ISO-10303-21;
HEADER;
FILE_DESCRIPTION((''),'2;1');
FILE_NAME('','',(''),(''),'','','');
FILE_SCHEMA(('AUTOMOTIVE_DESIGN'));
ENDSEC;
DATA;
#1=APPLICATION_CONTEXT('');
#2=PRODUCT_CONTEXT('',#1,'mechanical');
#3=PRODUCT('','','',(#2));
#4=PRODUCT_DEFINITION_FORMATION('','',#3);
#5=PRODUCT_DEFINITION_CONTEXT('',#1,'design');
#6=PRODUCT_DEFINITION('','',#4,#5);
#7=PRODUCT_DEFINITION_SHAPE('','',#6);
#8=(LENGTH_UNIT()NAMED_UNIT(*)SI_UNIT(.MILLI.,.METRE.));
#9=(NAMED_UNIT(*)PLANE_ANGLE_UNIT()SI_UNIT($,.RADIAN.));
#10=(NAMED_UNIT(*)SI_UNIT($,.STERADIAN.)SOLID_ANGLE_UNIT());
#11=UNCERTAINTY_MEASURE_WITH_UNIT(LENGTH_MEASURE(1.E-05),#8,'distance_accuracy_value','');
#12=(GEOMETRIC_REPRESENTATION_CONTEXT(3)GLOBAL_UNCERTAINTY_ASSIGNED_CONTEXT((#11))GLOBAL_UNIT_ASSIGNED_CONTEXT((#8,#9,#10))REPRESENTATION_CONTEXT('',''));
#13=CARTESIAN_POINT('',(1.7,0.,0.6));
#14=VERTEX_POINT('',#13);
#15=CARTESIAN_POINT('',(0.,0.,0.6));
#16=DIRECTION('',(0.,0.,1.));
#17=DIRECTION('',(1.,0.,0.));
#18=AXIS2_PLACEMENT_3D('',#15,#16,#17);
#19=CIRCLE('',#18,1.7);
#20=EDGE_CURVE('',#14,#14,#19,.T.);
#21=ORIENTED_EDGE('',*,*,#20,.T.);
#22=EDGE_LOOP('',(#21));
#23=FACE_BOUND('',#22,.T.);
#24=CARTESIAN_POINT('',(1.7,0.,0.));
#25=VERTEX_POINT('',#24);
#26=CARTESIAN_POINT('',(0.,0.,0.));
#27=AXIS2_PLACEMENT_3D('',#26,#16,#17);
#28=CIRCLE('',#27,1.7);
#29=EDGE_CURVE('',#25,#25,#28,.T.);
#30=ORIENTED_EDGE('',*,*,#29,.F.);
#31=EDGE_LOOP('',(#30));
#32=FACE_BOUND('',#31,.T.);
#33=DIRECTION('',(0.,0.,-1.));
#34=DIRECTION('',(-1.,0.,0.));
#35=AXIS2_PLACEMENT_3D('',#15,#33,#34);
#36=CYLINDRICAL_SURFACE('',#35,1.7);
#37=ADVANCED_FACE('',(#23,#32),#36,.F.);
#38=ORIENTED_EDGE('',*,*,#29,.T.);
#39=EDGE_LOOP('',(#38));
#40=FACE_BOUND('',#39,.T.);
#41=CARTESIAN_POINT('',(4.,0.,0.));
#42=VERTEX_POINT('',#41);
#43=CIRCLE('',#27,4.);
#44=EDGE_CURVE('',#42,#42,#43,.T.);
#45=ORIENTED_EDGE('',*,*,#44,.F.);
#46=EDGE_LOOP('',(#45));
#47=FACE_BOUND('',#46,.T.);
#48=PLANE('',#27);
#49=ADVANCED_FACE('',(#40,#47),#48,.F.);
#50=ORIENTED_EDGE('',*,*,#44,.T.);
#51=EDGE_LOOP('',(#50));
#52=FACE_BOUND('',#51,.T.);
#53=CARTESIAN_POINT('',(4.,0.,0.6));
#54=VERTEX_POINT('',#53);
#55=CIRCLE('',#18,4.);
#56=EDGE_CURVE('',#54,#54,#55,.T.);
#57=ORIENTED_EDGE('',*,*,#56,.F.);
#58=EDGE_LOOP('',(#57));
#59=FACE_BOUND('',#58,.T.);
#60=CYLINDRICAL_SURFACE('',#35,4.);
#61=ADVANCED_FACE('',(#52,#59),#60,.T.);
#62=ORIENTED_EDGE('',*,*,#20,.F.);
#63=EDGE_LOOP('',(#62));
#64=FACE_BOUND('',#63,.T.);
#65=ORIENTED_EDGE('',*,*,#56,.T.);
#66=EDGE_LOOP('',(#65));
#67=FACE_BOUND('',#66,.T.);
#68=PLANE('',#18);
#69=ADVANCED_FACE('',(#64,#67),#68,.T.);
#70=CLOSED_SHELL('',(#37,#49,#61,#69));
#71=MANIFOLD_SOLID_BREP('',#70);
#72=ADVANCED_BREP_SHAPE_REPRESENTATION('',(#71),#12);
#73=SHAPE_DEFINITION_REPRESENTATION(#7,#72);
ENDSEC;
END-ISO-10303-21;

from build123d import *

# Parameters (mm, degrees)
SKETCH1_R           = 4
SKETCH1_R_2         = 1.7
BOSS_EXTRUDE1_DEPTH = 0.6


with BuildPart() as part:
    # Sketch1 → Boss-Extrude1 (new body)
    with BuildSketch(Plane.XY):
        Circle(SKETCH1_R)
        Circle(SKETCH1_R_2, mode=Mode.SUBTRACT)
    extrude(amount=BOSS_EXTRUDE1_DEPTH)


solid = part.part
